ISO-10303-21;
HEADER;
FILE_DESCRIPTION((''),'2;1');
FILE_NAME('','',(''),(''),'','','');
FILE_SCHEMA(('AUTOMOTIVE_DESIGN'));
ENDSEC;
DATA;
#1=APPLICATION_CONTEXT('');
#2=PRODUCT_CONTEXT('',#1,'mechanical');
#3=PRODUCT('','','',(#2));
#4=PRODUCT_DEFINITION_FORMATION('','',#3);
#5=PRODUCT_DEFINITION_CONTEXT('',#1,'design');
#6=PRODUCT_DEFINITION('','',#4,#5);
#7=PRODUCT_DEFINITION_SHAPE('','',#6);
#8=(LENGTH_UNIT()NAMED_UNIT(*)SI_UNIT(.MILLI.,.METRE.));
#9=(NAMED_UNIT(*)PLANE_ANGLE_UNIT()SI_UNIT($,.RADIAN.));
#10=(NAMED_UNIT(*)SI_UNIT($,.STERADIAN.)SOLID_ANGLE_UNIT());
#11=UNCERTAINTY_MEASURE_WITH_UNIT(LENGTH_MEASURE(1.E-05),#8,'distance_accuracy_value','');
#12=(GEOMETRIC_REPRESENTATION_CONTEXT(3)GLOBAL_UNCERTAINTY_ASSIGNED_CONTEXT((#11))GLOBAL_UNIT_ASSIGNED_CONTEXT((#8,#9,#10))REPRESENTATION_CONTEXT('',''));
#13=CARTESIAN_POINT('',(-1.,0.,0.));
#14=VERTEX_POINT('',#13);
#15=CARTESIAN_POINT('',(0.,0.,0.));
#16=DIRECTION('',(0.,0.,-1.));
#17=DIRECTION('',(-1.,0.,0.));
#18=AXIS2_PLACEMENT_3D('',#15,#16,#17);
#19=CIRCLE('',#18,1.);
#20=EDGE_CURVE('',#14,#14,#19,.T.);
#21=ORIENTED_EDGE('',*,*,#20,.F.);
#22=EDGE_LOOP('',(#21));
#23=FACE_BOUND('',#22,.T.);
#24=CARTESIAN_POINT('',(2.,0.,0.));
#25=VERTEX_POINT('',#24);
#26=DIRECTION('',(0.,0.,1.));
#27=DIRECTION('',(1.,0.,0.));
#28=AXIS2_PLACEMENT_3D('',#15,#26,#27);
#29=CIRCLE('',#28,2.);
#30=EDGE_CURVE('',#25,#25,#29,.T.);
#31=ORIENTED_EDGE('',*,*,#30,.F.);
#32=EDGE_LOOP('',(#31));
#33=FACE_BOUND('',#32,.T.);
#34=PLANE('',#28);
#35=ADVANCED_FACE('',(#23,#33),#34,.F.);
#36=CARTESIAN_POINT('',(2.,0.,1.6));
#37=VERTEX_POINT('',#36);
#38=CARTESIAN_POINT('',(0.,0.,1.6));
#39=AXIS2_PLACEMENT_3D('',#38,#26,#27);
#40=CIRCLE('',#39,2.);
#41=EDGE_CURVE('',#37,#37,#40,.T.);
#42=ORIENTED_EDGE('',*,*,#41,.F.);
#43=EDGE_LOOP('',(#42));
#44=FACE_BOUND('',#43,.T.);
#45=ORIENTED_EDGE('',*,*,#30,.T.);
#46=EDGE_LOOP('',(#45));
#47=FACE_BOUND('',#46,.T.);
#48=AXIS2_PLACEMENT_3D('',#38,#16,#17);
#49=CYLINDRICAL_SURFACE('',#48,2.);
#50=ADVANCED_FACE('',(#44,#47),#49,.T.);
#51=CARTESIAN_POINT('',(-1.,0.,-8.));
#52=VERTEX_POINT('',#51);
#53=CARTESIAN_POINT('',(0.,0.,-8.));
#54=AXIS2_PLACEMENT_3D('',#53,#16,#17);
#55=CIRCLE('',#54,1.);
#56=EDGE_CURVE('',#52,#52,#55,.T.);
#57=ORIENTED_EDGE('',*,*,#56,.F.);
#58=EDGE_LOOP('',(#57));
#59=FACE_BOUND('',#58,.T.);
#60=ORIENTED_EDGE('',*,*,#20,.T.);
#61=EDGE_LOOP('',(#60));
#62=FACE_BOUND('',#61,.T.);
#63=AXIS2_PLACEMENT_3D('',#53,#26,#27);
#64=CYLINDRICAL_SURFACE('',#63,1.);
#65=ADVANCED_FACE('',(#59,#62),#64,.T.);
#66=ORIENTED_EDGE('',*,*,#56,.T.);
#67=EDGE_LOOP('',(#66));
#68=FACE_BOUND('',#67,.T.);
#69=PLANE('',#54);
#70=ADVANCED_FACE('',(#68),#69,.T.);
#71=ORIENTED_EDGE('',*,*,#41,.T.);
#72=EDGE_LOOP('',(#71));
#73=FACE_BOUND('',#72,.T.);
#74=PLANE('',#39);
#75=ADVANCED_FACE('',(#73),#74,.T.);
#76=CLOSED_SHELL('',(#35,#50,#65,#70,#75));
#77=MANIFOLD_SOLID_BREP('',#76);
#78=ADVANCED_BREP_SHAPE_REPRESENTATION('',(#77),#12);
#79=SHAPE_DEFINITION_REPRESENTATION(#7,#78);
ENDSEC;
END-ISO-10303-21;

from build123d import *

# Parameters (mm, degrees)
ESQUISSE1_R        = 2
BOSS_EXTRU_1_DEPTH = 1.6
ESQUISSE2_R        = 1
BOSS_EXTRU_2_DEPTH = 8


with BuildPart() as part:
    # Esquisse1 → Boss.-Extru.1 (new body)
    with BuildSketch(Plane.XY):
        Circle(ESQUISSE1_R)
    extrude(amount=BOSS_EXTRU_1_DEPTH)

    # Esquisse2 → Boss.-Extru.2 (add)
    with BuildSketch(Plane(origin=(0, 0, 0), x_dir=(-1, 0, 0), z_dir=(0, 0, -1))):
        Circle(ESQUISSE2_R)
    extrude(amount=BOSS_EXTRU_2_DEPTH)


solid = part.part
